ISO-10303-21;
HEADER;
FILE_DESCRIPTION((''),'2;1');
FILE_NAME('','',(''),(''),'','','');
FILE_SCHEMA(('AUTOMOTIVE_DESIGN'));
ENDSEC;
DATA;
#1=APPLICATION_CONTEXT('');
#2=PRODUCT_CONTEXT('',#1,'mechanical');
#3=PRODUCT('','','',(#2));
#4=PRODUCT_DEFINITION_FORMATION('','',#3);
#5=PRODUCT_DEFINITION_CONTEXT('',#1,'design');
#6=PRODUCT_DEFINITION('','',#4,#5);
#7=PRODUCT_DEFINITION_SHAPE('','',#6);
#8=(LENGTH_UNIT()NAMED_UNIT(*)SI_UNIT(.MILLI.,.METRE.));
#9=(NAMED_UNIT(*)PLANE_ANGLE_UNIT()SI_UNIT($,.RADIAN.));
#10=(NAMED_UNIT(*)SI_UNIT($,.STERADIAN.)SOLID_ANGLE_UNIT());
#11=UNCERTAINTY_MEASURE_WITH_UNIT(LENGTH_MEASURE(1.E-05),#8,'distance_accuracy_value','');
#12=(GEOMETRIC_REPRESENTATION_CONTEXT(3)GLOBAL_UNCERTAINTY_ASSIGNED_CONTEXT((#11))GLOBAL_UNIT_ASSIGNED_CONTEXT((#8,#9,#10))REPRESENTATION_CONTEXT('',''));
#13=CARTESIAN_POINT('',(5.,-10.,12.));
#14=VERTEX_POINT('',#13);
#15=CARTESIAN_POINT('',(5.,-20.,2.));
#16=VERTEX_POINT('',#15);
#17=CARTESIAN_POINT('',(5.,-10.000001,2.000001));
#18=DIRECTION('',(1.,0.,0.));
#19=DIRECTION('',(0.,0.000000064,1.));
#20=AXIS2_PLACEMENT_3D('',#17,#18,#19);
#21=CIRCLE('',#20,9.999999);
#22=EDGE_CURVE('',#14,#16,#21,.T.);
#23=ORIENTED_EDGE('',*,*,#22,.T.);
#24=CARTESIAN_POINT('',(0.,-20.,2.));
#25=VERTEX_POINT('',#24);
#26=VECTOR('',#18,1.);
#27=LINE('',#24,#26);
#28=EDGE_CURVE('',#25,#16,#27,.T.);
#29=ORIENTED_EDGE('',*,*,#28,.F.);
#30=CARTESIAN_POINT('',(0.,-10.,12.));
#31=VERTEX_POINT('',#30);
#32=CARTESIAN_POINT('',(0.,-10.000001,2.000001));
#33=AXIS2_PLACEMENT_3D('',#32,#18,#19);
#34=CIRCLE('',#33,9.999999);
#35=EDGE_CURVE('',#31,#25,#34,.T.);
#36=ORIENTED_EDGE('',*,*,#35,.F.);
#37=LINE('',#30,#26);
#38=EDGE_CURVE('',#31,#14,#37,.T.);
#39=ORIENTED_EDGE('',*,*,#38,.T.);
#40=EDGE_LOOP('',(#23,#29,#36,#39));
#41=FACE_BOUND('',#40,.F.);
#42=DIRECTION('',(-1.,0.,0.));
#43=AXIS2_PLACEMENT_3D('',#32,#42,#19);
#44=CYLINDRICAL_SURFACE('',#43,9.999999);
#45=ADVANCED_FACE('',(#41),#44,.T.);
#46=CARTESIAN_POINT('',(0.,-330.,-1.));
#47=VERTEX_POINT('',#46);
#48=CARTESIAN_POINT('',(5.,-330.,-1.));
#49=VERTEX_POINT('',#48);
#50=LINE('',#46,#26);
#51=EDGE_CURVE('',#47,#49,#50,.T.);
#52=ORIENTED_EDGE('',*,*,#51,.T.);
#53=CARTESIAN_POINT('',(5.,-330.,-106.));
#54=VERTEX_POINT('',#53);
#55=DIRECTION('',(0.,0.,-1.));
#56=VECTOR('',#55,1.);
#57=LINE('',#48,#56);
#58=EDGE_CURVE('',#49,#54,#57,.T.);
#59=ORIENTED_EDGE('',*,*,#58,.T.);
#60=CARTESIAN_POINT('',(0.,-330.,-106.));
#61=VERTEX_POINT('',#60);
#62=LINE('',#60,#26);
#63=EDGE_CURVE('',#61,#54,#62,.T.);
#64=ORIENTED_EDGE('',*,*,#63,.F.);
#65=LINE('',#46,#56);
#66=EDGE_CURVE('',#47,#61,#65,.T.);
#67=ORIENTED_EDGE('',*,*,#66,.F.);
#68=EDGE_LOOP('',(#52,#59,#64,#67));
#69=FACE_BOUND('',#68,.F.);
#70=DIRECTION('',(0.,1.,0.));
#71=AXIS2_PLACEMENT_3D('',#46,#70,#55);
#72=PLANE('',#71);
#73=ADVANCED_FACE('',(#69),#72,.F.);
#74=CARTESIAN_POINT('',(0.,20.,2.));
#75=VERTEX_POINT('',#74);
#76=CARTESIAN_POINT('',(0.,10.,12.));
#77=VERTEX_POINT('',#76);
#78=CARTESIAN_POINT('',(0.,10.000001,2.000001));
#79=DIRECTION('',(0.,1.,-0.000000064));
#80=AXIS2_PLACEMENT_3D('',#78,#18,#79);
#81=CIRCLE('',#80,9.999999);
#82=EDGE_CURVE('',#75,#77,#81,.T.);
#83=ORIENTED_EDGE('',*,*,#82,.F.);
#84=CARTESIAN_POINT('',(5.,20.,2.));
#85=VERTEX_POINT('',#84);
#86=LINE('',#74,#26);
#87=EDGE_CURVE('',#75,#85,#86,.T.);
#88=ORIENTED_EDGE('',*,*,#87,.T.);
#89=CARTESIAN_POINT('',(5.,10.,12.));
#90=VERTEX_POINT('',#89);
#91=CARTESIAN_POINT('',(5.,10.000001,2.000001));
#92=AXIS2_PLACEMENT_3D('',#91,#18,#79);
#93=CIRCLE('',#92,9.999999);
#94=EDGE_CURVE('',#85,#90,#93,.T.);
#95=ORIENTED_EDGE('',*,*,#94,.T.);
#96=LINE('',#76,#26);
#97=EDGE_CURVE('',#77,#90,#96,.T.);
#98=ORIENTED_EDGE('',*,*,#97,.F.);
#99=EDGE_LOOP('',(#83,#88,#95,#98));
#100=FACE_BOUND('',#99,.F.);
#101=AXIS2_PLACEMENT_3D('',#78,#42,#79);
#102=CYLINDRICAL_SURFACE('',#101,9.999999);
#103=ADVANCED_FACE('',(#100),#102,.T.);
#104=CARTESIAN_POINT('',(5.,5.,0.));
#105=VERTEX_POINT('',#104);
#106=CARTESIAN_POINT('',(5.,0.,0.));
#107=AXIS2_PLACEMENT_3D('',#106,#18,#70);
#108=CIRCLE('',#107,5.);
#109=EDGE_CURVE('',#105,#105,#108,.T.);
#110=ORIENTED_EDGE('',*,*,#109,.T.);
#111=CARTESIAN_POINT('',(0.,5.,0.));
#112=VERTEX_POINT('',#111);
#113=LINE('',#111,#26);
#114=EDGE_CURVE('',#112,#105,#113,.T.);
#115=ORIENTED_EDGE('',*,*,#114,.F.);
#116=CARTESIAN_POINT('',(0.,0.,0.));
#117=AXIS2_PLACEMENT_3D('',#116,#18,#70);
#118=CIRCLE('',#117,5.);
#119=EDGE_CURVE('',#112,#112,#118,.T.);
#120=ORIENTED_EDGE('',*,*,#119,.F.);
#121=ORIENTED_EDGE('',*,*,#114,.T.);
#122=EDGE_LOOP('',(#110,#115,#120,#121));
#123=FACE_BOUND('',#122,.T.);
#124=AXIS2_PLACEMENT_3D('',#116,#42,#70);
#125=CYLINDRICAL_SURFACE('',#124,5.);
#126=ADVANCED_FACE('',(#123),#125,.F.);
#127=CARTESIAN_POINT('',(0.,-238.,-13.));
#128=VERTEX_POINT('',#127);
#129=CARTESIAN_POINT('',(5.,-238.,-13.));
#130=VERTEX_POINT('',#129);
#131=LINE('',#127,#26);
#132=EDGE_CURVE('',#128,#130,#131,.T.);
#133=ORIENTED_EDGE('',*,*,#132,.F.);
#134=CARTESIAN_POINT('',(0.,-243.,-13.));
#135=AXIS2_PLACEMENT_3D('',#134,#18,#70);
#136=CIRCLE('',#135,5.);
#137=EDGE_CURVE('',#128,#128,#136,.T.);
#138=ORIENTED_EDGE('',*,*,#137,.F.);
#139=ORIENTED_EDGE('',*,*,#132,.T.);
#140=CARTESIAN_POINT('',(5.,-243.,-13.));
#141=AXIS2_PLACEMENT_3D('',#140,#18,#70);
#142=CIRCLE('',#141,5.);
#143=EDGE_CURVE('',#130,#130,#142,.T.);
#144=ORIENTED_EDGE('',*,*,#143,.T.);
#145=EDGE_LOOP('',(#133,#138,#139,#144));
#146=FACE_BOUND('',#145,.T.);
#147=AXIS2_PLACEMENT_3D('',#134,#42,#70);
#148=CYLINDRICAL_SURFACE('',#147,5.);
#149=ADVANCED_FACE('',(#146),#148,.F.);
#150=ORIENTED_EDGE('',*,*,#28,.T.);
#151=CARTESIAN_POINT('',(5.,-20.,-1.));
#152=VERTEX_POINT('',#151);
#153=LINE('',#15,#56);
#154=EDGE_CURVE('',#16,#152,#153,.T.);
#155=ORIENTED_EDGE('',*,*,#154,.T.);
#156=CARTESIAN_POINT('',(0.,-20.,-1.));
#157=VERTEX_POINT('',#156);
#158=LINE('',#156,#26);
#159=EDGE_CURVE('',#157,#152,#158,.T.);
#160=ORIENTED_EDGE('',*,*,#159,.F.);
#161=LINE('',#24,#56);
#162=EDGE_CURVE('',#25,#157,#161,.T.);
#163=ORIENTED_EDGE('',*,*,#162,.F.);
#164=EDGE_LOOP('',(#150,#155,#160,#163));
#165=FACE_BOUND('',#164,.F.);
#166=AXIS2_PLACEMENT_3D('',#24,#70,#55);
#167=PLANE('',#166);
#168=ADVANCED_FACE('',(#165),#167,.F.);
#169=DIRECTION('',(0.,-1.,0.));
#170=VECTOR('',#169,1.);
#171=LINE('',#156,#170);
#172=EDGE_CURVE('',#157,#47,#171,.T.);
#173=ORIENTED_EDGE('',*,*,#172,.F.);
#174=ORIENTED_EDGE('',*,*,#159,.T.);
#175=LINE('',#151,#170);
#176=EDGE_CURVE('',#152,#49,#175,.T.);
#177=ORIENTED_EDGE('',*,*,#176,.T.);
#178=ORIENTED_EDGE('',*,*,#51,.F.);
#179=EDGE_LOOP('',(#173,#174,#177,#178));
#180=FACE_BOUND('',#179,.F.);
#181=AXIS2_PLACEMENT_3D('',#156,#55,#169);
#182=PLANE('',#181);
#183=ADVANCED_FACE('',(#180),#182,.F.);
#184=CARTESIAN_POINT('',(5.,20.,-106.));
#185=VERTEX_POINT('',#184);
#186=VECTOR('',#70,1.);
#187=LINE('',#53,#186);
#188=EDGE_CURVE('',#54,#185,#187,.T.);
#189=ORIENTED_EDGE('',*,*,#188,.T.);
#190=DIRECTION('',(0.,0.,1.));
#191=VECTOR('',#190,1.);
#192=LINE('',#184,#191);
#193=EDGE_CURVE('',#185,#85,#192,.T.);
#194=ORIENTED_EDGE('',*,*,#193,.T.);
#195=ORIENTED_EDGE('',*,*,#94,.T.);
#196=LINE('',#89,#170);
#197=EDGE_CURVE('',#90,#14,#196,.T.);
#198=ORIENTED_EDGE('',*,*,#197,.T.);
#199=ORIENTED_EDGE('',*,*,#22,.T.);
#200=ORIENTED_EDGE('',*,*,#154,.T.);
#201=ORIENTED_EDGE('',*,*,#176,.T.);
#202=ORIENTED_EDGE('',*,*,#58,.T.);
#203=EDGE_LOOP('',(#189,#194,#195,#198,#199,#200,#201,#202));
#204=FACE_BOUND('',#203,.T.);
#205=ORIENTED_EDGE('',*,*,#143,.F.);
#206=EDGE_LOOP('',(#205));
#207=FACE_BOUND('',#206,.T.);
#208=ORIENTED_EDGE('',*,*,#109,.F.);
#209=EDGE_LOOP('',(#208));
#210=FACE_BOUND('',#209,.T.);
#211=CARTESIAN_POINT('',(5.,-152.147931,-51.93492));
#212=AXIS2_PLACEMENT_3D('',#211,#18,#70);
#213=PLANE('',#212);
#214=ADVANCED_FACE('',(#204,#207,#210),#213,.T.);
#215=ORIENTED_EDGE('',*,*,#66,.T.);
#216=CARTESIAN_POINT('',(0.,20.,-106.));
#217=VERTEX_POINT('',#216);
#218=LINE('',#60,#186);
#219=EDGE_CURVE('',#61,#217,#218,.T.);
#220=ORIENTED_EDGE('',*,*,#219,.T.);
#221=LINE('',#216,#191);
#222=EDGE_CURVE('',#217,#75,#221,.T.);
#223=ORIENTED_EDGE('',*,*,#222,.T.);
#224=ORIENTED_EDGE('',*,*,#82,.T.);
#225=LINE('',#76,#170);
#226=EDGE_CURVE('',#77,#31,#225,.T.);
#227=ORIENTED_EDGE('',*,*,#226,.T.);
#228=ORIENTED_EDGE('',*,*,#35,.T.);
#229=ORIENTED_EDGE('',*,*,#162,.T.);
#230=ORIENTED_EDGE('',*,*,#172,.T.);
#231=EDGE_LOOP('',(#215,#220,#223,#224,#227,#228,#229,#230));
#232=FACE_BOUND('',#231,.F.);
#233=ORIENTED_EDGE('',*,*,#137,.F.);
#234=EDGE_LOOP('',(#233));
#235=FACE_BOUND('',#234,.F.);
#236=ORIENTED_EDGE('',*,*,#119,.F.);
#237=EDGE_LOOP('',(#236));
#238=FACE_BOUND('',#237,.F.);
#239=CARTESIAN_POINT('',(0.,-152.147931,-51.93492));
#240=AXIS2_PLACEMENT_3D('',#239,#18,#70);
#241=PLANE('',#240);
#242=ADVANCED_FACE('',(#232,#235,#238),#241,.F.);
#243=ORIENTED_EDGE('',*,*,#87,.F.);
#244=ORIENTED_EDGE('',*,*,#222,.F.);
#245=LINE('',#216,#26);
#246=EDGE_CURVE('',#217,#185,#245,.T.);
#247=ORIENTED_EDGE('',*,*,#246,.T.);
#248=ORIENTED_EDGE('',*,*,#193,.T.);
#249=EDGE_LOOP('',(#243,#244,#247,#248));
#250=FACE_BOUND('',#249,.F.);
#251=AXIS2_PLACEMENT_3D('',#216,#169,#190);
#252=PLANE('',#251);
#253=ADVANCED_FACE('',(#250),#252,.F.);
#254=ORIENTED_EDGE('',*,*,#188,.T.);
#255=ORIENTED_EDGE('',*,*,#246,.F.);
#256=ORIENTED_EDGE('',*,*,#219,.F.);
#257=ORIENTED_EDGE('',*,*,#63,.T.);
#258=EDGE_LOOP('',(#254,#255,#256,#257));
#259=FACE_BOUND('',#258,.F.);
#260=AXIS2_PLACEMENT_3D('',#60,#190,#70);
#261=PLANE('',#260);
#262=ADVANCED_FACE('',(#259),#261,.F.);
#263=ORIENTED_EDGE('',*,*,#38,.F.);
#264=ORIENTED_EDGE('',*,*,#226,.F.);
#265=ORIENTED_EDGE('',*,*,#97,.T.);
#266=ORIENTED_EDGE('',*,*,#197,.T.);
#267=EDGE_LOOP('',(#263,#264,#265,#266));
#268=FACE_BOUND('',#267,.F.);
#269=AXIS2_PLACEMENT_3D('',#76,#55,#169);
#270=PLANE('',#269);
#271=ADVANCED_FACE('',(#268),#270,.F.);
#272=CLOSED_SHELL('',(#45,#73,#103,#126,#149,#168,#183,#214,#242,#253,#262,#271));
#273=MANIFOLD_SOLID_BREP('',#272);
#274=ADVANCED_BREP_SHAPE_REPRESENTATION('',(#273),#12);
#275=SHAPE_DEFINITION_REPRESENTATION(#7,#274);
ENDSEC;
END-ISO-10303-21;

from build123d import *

# Parameters (mm, degrees)
F0_R     = 5
F1_DEPTH = 5


with BuildPart() as f1:
    # F0 (on Right) → F1 (new body)
    with BuildSketch(Plane.YZ):
        with BuildLine():
            Line((-20, -1), (-330, -1))
            Line((-330, -1), (-330, -106))
            Line((-330, -106), (20, -106))
            Line((20, -106), (20, 2))
            ThreePointArc((20, 2), (17.071068, 9.071068), (10, 12))
            Line((10, 12), (-10, 12))
            ThreePointArc((-10, 12), (-17.071068, 9.071068), (-20, 2))
            Line((-20, 2), (-20, -1))
        make_face()
        with Locations((-243, -13)):
            Circle(F0_R, mode=Mode.SUBTRACT)
        Circle(F0_R, mode=Mode.SUBTRACT)
    extrude(amount=F1_DEPTH)


solid = f1.part
